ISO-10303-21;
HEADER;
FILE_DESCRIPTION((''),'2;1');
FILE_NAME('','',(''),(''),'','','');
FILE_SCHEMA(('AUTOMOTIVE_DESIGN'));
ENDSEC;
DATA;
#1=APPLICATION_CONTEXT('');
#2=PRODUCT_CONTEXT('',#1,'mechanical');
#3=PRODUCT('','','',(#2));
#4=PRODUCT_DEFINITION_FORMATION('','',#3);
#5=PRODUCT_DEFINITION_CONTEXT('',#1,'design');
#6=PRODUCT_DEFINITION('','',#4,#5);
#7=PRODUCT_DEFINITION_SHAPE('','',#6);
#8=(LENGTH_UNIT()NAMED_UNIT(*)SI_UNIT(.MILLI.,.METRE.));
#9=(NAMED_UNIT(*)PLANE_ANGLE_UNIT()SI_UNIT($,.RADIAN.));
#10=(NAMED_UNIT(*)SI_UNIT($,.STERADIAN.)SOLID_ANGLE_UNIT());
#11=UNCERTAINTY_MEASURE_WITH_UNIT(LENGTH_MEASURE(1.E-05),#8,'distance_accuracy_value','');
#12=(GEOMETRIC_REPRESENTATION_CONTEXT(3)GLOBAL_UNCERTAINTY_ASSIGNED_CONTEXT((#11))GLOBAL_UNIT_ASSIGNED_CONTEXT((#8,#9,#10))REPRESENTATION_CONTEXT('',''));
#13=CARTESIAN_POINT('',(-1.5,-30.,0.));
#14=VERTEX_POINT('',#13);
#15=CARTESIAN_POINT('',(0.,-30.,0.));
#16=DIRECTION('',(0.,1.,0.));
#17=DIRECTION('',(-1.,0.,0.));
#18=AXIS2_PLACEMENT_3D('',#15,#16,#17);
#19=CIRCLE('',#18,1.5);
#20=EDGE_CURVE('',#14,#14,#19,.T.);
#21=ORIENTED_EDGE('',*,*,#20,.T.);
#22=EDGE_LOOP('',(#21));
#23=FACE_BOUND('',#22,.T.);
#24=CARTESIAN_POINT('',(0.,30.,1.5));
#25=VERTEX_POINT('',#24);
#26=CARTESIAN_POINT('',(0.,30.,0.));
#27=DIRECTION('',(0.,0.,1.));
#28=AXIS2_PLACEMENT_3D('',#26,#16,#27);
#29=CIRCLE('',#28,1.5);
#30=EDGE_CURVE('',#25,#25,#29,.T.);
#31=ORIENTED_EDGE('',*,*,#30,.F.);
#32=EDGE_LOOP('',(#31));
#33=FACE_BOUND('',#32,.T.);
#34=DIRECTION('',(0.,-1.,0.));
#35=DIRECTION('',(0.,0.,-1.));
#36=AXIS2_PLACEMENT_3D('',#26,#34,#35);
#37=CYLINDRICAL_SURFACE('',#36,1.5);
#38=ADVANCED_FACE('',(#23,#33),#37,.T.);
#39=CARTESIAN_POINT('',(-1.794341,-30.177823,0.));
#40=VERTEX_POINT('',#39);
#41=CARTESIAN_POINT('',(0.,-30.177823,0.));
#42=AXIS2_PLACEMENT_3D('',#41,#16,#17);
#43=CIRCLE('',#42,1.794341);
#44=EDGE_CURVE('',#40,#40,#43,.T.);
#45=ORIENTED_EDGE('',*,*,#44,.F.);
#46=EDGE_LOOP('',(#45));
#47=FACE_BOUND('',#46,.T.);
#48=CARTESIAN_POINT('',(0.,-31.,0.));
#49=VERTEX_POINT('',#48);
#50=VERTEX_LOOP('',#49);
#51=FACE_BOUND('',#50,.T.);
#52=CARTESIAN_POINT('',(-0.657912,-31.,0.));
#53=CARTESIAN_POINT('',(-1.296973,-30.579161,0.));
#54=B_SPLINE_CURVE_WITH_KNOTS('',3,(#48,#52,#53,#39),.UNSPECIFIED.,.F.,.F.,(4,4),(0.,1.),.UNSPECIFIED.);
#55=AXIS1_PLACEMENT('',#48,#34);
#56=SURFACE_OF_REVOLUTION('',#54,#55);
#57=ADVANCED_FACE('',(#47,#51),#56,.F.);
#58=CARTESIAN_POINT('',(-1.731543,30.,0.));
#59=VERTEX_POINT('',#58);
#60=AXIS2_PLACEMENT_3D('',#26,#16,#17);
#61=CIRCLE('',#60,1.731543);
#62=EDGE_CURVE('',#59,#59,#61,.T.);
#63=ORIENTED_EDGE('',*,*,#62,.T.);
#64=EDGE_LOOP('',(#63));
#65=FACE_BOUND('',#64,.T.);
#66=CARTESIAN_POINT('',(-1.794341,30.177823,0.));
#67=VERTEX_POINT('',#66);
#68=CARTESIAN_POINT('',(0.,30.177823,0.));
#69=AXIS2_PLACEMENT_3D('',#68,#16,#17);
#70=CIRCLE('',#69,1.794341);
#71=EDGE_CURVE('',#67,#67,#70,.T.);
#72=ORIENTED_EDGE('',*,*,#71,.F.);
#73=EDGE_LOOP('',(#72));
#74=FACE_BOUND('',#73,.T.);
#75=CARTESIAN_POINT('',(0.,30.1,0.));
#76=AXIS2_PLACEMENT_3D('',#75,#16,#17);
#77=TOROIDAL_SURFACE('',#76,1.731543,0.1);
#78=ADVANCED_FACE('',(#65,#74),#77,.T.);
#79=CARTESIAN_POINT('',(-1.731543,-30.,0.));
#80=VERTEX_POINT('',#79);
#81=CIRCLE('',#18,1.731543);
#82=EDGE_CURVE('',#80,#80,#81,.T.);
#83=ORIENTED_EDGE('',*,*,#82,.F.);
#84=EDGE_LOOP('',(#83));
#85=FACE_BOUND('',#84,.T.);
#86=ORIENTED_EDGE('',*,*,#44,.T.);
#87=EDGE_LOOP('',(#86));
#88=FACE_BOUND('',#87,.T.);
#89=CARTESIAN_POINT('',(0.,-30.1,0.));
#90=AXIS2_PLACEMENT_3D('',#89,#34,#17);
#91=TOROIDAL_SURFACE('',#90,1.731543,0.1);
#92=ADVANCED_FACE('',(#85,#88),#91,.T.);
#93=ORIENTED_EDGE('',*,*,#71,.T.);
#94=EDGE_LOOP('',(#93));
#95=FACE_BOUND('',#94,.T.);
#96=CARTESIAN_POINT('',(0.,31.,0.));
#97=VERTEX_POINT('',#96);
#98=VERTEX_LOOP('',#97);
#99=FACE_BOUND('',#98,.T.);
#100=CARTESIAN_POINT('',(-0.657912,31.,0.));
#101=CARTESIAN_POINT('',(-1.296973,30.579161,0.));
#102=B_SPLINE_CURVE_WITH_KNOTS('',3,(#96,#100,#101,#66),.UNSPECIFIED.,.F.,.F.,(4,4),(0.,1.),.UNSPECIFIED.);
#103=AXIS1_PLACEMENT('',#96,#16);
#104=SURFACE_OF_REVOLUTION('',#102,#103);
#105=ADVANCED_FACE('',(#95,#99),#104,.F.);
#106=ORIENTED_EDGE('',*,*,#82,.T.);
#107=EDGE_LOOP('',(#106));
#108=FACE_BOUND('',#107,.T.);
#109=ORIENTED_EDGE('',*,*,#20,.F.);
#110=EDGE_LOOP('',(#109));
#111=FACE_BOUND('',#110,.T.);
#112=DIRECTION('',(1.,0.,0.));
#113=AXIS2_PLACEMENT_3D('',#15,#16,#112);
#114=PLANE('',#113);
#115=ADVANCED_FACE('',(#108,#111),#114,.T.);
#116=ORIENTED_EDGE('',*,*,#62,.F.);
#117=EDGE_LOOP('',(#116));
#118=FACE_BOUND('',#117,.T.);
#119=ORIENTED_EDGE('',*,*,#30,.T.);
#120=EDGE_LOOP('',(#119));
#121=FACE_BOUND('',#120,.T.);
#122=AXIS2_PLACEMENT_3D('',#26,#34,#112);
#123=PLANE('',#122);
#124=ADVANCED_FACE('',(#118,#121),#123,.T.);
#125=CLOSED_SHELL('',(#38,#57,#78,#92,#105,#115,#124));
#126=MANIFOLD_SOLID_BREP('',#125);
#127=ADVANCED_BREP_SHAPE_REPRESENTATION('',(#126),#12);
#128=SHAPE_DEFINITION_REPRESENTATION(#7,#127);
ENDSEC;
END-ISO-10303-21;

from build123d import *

# Parameters (mm, degrees)
SKETCH1_R           = 1.5
BOSS_EXTRUDE1_DEPTH = 30


with BuildPart() as part:
    # Sketch1 → Boss-Extrude1 (new, symmetric)
    with BuildSketch(Plane(origin=(0, 0, 0), x_dir=(1, 0, 0), z_dir=(0, 1, 0))):
        with Locations(Location((0, 0, 0), (0, 0, 270))):
            Circle(SKETCH1_R)
    extrude(amount=BOSS_EXTRUDE1_DEPTH, both=True)

    # Sketch2 → Revolve1 (revolve)
    with BuildSketch(Plane.XY):
        with BuildLine():
            Line((0, 30), (-1.731543481, 30))
            ThreePointArc((-1.731543481, 30), (-1.825836483, 30.066700905), (-1.794340914, 30.177823405))
            add(Edge.make_bspline(
                [(-1.794340914, 30.177823405), (-1.296972614, 30.579160925), (-0.657911989, 31), (0, 31)],
                knots=[0, 0, 0, 0, 1, 1, 1, 1], degree=3))
            Line((0, 31), (0, 30))
        make_face()
    revolve1 = revolve(axis=Axis((0, 31, 0), (0, -1, 0)))

    # Mirror1: Revolve1 across plane
    add(revolve1.mirror(Plane.ZX))


solid = part.part
